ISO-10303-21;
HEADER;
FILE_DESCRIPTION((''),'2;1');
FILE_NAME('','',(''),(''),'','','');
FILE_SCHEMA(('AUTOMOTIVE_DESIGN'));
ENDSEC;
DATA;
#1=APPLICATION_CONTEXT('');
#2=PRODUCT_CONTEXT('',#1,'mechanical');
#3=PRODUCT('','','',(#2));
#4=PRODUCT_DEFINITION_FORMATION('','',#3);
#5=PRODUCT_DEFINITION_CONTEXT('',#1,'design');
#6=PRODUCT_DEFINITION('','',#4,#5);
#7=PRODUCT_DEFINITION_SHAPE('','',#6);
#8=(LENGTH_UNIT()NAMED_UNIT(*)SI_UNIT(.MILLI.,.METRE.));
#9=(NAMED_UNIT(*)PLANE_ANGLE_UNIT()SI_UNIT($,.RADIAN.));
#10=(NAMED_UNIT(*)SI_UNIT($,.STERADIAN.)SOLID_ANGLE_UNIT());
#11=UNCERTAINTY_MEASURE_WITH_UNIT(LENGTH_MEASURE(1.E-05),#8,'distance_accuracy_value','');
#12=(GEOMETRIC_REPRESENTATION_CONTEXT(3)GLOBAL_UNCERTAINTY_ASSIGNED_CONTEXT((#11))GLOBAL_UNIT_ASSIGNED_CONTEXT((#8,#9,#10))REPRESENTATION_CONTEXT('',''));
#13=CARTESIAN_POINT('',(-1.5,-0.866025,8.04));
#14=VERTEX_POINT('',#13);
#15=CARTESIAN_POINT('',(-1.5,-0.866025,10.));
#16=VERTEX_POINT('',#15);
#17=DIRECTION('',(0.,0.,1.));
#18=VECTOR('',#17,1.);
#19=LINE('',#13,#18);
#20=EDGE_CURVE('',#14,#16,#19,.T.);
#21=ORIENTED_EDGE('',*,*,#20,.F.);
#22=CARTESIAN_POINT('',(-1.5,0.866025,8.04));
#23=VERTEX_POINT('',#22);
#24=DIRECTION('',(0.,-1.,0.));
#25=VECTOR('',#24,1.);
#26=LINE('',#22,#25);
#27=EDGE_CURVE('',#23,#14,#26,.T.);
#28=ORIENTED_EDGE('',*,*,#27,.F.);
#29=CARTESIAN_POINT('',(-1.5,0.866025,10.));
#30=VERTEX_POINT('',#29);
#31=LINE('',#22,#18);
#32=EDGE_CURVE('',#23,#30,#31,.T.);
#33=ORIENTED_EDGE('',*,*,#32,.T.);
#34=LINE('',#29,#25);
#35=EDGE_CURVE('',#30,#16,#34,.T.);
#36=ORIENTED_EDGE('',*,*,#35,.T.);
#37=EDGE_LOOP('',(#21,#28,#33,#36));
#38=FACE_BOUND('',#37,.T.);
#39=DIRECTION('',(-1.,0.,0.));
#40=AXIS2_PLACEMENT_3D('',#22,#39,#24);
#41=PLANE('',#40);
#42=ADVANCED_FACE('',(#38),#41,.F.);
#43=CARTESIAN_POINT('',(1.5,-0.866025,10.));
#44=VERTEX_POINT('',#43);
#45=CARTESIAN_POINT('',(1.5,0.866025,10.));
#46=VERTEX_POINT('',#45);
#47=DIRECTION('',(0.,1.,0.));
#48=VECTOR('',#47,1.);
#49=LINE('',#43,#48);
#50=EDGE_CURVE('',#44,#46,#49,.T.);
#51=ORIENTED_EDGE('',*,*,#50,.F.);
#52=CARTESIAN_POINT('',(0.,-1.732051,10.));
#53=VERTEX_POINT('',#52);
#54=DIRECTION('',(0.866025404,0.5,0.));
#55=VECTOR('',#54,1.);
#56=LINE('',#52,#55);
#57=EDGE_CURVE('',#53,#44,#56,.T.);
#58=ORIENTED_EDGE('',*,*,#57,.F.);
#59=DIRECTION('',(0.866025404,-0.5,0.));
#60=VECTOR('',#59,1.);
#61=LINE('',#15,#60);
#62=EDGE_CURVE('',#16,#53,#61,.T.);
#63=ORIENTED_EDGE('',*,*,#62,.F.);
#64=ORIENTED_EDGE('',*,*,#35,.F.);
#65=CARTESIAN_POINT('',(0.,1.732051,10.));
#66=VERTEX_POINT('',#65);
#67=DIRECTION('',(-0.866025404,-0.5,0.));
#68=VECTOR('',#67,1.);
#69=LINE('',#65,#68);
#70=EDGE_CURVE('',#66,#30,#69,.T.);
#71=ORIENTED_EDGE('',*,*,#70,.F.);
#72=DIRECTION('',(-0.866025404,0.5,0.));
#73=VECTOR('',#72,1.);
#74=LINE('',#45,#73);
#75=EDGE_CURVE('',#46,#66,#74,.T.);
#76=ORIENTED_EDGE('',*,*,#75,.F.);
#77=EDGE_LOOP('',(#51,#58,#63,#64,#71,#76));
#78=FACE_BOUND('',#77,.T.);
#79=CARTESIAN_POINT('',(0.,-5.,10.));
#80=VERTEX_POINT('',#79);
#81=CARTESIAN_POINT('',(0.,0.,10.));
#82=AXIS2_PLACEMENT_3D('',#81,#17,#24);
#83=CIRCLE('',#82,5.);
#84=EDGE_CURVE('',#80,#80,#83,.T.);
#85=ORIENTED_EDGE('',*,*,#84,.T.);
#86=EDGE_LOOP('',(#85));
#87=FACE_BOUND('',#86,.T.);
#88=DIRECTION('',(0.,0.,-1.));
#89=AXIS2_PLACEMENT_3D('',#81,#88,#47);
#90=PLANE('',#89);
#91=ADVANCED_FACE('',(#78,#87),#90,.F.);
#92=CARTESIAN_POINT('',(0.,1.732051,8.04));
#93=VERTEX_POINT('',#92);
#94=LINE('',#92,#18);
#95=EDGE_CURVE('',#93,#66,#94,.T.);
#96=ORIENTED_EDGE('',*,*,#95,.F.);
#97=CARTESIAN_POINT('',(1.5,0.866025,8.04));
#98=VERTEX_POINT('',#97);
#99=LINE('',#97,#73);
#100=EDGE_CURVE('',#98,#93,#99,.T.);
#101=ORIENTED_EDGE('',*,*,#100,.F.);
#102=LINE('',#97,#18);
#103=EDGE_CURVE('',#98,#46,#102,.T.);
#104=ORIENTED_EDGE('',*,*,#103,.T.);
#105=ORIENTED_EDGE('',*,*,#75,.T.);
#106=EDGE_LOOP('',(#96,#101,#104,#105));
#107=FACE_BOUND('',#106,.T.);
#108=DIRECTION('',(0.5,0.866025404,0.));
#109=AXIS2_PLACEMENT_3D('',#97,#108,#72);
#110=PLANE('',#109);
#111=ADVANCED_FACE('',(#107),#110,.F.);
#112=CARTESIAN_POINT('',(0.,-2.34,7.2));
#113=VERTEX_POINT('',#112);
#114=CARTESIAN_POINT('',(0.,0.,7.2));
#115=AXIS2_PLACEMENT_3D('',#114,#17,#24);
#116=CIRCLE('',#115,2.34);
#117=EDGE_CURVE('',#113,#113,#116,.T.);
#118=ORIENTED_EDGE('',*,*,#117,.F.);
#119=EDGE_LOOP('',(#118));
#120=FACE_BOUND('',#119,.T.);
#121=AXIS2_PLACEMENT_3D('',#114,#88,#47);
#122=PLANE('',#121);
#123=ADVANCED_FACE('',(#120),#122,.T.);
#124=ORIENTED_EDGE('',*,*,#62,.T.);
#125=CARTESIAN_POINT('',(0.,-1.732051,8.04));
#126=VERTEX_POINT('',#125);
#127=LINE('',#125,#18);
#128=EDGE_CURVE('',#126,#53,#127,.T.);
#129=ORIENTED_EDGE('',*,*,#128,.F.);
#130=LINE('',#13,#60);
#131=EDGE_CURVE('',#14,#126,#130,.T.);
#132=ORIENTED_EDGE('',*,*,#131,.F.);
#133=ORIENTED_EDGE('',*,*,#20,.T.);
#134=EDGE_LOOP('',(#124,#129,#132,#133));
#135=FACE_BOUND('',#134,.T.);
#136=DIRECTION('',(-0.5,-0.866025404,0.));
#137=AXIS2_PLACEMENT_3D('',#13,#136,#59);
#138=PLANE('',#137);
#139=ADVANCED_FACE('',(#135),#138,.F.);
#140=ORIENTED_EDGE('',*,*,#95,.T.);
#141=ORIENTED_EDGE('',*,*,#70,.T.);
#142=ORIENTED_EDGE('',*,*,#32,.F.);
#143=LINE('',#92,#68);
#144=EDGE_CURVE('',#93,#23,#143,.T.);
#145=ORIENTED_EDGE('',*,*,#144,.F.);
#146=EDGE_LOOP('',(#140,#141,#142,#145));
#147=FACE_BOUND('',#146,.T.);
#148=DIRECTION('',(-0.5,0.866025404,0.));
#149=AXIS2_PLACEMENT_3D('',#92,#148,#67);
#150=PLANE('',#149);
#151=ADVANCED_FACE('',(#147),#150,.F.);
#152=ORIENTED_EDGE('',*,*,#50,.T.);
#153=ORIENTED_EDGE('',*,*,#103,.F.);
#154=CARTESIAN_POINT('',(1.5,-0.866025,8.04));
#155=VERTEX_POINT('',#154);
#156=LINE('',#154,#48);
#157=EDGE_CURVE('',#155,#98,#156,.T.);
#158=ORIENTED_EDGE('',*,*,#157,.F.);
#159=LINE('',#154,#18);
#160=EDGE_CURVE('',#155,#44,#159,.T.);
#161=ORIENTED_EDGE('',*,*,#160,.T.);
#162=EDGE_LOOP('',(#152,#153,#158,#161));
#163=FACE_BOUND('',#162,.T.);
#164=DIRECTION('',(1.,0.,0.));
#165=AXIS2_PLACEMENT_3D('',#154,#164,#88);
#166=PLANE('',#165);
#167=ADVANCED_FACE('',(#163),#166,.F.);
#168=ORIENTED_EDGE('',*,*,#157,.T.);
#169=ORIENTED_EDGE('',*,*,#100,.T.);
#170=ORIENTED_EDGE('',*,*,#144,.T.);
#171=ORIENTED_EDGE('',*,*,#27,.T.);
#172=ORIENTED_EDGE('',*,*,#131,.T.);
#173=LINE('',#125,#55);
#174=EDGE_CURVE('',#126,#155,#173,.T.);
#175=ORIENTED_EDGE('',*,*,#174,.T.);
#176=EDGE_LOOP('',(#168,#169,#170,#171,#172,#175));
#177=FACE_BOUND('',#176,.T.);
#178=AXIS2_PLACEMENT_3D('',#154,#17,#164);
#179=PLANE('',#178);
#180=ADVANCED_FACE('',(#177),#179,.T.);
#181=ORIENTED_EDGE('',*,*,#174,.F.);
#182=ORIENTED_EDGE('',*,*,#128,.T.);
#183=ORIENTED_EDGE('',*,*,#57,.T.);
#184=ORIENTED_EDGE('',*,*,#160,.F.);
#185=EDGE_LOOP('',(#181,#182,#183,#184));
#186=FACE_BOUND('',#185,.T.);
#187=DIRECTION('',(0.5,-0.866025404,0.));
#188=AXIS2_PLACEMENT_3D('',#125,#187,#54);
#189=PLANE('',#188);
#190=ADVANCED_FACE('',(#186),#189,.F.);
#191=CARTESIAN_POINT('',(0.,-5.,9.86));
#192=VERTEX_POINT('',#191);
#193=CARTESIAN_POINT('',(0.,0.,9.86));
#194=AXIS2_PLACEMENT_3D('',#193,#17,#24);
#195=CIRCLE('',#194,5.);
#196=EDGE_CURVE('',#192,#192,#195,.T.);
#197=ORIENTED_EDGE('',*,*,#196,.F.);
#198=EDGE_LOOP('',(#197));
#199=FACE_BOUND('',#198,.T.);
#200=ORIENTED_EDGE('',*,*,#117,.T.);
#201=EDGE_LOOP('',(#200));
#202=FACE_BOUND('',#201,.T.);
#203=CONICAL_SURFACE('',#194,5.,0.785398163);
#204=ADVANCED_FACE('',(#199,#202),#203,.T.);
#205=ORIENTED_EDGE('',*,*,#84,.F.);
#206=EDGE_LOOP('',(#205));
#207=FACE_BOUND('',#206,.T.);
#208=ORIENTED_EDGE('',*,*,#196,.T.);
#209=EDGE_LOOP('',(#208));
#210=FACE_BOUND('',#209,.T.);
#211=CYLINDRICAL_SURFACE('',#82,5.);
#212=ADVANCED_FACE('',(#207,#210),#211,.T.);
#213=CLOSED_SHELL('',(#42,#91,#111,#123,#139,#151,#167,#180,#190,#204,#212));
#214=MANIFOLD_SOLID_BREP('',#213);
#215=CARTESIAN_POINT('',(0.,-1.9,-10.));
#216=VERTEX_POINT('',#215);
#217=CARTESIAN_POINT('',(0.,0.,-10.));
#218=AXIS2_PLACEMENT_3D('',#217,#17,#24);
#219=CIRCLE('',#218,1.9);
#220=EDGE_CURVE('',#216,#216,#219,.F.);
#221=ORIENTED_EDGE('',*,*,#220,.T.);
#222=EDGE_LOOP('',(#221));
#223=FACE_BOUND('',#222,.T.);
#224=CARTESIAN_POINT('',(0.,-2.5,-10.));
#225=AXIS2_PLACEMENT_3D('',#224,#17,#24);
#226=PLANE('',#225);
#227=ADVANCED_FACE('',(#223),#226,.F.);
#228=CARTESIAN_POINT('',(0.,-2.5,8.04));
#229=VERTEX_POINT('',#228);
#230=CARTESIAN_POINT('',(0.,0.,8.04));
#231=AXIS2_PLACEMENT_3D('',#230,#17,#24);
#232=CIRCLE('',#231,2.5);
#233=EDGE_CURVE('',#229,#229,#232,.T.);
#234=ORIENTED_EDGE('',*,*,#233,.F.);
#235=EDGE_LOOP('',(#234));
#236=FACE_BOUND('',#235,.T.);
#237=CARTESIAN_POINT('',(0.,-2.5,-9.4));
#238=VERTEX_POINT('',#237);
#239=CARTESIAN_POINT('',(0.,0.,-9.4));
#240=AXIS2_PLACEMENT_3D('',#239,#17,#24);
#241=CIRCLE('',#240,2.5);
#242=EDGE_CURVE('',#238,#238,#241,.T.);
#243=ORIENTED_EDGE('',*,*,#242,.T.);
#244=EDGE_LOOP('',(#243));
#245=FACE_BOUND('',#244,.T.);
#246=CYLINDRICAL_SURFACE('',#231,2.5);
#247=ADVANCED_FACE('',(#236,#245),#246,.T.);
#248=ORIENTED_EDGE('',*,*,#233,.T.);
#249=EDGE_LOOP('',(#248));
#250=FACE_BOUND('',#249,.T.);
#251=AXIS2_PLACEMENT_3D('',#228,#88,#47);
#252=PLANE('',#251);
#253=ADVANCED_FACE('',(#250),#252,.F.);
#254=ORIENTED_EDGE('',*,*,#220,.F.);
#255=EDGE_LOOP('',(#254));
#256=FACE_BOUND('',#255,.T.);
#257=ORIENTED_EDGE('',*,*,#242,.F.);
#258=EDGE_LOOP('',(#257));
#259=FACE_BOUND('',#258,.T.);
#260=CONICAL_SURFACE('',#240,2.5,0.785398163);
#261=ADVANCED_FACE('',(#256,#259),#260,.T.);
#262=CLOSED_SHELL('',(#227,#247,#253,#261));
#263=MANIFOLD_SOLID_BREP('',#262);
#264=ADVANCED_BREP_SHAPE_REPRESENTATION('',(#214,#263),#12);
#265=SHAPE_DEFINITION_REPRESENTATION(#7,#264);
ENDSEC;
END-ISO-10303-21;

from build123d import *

# Parameters (mm, degrees)
CHAMFER1_SIZE      = 0.6
CUT_EXTRUDE2_DEPTH = 1.96


with BuildPart() as part:
    # Sketch1 → Revolve1 (revolve)
    with BuildSketch(Plane(origin=(0, 0, 0), x_dir=(0, 0, -1), z_dir=(1, 0, 0))):
        Polygon((-7.2, 2.5), (10, 2.5), (10, 0), (-8.04, 0), (-8.04, 2.5), align=None)
    revolve(axis=Axis((0, 0, 8.04), (0, 0, -1)))

    # Chamfer1
    chamfer1_edges = [part.edges().sort_by_distance(p)[0] for p in [
        (0, -2.5, -10),
    ]]
    chamfer(chamfer1_edges, length=CHAMFER1_SIZE)


with BuildPart() as body_2:
    # Sketch7 → Revolve2 (revolve)
    with BuildSketch(Plane(origin=(0, 0, 0), x_dir=(0, 0, -1), z_dir=(1, 0, 0))):
        Polygon((-9.86, 5), (-10, 5), (-10, 0), (-7.2, 0), (-7.2, 2.34), align=None)
    revolve(axis=Axis((0, 0, 10), (0, 0, -1)))

    # Sketch5 → Cut-Extrude2 (cut)
    with BuildSketch(Plane.XY.offset(10)):
        Polygon((1.5, -0.866025404), (1.5, 0.866025404), (0, 1.732050808), (-1.5, 0.866025404), (-1.5, -0.866025404), (0, -1.732050808), align=None)
    extrude(amount=-CUT_EXTRUDE2_DEPTH, mode=Mode.SUBTRACT)


solid = Compound([part.part, body_2.part])
